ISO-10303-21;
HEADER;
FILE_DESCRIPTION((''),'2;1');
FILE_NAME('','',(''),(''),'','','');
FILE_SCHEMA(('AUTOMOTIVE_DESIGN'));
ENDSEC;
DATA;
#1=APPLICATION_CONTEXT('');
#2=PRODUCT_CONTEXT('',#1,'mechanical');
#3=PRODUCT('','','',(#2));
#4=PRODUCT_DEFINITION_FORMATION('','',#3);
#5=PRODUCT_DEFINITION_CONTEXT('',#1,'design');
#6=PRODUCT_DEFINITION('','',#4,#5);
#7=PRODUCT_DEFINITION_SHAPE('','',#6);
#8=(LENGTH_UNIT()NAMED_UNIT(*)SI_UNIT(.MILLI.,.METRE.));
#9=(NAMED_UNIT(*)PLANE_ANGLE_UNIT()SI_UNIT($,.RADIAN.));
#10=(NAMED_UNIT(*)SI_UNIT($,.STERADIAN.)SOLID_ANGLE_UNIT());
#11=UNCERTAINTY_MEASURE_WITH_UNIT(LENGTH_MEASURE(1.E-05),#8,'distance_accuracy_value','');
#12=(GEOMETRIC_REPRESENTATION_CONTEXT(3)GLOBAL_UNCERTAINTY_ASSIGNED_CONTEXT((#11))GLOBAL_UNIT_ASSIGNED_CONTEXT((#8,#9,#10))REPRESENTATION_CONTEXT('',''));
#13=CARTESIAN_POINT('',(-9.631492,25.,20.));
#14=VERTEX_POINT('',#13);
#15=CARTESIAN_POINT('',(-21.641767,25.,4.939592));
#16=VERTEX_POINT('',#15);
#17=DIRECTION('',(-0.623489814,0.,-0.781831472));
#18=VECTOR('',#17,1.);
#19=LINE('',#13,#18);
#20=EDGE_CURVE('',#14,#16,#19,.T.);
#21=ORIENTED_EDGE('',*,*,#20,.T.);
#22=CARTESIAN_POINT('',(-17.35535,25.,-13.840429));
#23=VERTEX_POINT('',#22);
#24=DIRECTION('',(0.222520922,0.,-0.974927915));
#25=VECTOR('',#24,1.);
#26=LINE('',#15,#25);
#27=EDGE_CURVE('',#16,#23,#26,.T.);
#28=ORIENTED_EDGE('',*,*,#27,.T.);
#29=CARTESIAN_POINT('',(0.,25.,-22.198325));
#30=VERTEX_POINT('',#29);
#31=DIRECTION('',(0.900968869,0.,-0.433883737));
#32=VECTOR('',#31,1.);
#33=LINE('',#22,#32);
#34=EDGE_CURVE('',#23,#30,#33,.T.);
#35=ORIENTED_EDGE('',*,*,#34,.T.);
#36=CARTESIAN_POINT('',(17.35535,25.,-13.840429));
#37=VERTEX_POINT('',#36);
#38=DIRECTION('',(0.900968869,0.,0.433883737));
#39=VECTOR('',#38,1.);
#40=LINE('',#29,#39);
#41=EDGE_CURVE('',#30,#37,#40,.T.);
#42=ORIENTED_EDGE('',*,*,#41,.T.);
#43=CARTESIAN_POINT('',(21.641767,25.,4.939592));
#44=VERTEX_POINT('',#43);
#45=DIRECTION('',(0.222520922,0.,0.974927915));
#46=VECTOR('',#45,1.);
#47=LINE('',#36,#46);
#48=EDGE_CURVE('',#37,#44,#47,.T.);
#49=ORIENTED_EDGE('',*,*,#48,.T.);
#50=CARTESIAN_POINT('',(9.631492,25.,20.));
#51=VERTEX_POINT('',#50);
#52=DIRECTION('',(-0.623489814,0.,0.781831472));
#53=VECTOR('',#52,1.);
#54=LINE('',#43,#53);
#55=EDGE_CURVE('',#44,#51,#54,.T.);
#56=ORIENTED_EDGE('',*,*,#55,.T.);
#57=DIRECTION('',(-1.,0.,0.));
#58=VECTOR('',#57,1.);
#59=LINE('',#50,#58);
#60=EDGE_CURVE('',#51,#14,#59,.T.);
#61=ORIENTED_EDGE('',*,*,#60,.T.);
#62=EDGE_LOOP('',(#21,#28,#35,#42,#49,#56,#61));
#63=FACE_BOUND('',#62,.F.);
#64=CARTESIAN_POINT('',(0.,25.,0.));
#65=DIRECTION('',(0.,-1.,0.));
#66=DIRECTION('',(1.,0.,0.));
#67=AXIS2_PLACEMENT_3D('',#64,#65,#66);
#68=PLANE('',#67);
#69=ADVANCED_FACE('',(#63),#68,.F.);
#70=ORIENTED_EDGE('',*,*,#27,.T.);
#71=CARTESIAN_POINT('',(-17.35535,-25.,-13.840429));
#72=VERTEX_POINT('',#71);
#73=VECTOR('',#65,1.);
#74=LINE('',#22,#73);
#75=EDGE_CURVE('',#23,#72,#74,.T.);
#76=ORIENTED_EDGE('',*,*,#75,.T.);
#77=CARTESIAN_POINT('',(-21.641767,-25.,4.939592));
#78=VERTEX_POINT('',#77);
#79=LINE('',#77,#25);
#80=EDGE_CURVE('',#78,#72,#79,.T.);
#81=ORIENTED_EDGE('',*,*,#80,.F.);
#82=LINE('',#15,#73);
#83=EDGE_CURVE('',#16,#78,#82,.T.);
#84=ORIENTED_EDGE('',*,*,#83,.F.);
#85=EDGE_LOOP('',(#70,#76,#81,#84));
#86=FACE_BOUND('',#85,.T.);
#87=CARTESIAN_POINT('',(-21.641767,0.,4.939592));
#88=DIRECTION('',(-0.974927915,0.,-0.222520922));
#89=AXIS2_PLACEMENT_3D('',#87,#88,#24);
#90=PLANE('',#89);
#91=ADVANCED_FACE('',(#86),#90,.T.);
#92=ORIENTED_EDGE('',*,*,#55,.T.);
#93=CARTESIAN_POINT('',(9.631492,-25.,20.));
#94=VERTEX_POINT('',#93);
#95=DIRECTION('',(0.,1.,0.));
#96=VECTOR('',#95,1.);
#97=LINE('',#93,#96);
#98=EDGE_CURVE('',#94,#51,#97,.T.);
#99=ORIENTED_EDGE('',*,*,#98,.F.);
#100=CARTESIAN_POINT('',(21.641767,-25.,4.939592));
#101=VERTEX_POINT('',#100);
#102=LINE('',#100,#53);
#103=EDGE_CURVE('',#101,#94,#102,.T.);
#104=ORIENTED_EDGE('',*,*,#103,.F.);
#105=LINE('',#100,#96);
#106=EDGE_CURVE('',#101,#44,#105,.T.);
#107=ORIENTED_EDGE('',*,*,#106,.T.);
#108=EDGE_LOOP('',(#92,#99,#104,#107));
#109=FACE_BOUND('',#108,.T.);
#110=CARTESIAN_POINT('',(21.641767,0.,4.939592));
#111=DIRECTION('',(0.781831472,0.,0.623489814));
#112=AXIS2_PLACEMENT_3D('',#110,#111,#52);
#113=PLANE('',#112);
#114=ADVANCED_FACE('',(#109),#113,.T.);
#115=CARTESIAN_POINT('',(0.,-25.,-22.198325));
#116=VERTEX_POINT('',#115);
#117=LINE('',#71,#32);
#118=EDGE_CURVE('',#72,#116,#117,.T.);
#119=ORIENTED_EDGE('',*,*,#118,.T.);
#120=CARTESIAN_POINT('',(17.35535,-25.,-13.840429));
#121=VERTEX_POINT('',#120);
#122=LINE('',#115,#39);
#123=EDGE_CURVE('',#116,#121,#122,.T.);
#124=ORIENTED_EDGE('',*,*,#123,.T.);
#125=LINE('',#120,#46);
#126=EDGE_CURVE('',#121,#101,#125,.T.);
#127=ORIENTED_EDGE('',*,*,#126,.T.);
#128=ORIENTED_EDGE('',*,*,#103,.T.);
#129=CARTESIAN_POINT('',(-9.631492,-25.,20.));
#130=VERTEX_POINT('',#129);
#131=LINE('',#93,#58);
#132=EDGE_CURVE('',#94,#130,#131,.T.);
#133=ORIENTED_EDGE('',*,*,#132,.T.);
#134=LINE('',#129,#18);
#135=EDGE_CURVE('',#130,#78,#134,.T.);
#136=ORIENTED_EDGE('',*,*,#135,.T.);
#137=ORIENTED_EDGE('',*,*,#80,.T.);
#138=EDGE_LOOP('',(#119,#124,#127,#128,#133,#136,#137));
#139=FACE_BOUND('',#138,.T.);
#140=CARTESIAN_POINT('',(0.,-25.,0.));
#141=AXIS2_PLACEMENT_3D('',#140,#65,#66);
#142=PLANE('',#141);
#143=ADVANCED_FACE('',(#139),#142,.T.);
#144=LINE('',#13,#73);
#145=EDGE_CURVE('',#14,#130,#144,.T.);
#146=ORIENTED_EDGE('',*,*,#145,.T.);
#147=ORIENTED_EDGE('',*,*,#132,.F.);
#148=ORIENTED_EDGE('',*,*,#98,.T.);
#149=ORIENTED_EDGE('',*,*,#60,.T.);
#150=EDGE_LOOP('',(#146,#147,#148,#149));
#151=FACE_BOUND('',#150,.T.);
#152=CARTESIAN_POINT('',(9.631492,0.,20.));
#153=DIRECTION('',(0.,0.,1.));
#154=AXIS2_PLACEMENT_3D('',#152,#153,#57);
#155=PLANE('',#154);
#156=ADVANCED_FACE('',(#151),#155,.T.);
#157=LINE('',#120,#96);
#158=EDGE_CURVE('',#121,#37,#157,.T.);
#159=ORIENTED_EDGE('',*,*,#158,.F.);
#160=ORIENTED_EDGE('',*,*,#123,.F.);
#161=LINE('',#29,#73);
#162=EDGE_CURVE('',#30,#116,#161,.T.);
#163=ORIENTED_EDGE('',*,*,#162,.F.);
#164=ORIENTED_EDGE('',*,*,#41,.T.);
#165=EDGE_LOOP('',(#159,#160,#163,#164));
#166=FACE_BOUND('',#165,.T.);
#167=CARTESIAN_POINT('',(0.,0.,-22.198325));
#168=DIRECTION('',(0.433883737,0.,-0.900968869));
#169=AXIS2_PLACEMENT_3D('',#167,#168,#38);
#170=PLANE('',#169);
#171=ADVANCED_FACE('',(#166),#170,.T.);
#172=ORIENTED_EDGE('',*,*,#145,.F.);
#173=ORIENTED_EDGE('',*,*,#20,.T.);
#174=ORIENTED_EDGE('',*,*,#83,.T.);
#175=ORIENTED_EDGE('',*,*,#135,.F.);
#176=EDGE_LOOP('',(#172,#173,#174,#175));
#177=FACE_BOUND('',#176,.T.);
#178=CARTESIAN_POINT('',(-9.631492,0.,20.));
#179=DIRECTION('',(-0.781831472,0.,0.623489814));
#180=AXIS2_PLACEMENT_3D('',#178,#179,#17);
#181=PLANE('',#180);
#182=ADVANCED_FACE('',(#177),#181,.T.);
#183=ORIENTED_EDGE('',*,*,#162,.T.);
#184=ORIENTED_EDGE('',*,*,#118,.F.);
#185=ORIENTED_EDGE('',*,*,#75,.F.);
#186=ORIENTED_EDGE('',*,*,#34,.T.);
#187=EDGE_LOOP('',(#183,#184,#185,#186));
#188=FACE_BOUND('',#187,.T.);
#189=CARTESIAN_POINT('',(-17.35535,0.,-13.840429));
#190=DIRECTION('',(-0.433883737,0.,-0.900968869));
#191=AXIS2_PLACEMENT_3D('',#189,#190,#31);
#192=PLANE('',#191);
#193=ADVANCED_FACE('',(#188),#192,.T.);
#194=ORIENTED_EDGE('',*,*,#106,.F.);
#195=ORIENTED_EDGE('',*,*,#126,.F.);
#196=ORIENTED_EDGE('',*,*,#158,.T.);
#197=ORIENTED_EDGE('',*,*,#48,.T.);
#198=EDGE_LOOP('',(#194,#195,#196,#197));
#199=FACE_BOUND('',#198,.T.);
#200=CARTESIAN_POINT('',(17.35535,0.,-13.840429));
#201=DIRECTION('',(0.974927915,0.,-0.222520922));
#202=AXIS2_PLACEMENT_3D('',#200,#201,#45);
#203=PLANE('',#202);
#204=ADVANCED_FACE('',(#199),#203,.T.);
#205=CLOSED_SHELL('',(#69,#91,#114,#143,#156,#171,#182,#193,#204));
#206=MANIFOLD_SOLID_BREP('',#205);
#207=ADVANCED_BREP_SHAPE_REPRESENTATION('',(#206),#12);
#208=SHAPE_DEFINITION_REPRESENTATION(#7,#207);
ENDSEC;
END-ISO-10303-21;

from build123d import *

# Parameters (mm, degrees)
F0_R     = 2.5
F1_DEPTH = 25


with BuildPart() as f1:
    # F0 (on Front) → F1 (new body, symmetric)
    with BuildSketch(Plane.XZ):
        Polygon((9.631492, 20), (-9.631492, 20), (-21.641767, 4.939592), (-17.35535, -13.840429), (0, -22.198325), (17.35535, -13.840429), (21.641767, 4.939592), align=None)
        Circle(F0_R, mode=Mode.SUBTRACT)
        Circle(F0_R)
    extrude(amount=F1_DEPTH, both=True)


solid = f1.part
